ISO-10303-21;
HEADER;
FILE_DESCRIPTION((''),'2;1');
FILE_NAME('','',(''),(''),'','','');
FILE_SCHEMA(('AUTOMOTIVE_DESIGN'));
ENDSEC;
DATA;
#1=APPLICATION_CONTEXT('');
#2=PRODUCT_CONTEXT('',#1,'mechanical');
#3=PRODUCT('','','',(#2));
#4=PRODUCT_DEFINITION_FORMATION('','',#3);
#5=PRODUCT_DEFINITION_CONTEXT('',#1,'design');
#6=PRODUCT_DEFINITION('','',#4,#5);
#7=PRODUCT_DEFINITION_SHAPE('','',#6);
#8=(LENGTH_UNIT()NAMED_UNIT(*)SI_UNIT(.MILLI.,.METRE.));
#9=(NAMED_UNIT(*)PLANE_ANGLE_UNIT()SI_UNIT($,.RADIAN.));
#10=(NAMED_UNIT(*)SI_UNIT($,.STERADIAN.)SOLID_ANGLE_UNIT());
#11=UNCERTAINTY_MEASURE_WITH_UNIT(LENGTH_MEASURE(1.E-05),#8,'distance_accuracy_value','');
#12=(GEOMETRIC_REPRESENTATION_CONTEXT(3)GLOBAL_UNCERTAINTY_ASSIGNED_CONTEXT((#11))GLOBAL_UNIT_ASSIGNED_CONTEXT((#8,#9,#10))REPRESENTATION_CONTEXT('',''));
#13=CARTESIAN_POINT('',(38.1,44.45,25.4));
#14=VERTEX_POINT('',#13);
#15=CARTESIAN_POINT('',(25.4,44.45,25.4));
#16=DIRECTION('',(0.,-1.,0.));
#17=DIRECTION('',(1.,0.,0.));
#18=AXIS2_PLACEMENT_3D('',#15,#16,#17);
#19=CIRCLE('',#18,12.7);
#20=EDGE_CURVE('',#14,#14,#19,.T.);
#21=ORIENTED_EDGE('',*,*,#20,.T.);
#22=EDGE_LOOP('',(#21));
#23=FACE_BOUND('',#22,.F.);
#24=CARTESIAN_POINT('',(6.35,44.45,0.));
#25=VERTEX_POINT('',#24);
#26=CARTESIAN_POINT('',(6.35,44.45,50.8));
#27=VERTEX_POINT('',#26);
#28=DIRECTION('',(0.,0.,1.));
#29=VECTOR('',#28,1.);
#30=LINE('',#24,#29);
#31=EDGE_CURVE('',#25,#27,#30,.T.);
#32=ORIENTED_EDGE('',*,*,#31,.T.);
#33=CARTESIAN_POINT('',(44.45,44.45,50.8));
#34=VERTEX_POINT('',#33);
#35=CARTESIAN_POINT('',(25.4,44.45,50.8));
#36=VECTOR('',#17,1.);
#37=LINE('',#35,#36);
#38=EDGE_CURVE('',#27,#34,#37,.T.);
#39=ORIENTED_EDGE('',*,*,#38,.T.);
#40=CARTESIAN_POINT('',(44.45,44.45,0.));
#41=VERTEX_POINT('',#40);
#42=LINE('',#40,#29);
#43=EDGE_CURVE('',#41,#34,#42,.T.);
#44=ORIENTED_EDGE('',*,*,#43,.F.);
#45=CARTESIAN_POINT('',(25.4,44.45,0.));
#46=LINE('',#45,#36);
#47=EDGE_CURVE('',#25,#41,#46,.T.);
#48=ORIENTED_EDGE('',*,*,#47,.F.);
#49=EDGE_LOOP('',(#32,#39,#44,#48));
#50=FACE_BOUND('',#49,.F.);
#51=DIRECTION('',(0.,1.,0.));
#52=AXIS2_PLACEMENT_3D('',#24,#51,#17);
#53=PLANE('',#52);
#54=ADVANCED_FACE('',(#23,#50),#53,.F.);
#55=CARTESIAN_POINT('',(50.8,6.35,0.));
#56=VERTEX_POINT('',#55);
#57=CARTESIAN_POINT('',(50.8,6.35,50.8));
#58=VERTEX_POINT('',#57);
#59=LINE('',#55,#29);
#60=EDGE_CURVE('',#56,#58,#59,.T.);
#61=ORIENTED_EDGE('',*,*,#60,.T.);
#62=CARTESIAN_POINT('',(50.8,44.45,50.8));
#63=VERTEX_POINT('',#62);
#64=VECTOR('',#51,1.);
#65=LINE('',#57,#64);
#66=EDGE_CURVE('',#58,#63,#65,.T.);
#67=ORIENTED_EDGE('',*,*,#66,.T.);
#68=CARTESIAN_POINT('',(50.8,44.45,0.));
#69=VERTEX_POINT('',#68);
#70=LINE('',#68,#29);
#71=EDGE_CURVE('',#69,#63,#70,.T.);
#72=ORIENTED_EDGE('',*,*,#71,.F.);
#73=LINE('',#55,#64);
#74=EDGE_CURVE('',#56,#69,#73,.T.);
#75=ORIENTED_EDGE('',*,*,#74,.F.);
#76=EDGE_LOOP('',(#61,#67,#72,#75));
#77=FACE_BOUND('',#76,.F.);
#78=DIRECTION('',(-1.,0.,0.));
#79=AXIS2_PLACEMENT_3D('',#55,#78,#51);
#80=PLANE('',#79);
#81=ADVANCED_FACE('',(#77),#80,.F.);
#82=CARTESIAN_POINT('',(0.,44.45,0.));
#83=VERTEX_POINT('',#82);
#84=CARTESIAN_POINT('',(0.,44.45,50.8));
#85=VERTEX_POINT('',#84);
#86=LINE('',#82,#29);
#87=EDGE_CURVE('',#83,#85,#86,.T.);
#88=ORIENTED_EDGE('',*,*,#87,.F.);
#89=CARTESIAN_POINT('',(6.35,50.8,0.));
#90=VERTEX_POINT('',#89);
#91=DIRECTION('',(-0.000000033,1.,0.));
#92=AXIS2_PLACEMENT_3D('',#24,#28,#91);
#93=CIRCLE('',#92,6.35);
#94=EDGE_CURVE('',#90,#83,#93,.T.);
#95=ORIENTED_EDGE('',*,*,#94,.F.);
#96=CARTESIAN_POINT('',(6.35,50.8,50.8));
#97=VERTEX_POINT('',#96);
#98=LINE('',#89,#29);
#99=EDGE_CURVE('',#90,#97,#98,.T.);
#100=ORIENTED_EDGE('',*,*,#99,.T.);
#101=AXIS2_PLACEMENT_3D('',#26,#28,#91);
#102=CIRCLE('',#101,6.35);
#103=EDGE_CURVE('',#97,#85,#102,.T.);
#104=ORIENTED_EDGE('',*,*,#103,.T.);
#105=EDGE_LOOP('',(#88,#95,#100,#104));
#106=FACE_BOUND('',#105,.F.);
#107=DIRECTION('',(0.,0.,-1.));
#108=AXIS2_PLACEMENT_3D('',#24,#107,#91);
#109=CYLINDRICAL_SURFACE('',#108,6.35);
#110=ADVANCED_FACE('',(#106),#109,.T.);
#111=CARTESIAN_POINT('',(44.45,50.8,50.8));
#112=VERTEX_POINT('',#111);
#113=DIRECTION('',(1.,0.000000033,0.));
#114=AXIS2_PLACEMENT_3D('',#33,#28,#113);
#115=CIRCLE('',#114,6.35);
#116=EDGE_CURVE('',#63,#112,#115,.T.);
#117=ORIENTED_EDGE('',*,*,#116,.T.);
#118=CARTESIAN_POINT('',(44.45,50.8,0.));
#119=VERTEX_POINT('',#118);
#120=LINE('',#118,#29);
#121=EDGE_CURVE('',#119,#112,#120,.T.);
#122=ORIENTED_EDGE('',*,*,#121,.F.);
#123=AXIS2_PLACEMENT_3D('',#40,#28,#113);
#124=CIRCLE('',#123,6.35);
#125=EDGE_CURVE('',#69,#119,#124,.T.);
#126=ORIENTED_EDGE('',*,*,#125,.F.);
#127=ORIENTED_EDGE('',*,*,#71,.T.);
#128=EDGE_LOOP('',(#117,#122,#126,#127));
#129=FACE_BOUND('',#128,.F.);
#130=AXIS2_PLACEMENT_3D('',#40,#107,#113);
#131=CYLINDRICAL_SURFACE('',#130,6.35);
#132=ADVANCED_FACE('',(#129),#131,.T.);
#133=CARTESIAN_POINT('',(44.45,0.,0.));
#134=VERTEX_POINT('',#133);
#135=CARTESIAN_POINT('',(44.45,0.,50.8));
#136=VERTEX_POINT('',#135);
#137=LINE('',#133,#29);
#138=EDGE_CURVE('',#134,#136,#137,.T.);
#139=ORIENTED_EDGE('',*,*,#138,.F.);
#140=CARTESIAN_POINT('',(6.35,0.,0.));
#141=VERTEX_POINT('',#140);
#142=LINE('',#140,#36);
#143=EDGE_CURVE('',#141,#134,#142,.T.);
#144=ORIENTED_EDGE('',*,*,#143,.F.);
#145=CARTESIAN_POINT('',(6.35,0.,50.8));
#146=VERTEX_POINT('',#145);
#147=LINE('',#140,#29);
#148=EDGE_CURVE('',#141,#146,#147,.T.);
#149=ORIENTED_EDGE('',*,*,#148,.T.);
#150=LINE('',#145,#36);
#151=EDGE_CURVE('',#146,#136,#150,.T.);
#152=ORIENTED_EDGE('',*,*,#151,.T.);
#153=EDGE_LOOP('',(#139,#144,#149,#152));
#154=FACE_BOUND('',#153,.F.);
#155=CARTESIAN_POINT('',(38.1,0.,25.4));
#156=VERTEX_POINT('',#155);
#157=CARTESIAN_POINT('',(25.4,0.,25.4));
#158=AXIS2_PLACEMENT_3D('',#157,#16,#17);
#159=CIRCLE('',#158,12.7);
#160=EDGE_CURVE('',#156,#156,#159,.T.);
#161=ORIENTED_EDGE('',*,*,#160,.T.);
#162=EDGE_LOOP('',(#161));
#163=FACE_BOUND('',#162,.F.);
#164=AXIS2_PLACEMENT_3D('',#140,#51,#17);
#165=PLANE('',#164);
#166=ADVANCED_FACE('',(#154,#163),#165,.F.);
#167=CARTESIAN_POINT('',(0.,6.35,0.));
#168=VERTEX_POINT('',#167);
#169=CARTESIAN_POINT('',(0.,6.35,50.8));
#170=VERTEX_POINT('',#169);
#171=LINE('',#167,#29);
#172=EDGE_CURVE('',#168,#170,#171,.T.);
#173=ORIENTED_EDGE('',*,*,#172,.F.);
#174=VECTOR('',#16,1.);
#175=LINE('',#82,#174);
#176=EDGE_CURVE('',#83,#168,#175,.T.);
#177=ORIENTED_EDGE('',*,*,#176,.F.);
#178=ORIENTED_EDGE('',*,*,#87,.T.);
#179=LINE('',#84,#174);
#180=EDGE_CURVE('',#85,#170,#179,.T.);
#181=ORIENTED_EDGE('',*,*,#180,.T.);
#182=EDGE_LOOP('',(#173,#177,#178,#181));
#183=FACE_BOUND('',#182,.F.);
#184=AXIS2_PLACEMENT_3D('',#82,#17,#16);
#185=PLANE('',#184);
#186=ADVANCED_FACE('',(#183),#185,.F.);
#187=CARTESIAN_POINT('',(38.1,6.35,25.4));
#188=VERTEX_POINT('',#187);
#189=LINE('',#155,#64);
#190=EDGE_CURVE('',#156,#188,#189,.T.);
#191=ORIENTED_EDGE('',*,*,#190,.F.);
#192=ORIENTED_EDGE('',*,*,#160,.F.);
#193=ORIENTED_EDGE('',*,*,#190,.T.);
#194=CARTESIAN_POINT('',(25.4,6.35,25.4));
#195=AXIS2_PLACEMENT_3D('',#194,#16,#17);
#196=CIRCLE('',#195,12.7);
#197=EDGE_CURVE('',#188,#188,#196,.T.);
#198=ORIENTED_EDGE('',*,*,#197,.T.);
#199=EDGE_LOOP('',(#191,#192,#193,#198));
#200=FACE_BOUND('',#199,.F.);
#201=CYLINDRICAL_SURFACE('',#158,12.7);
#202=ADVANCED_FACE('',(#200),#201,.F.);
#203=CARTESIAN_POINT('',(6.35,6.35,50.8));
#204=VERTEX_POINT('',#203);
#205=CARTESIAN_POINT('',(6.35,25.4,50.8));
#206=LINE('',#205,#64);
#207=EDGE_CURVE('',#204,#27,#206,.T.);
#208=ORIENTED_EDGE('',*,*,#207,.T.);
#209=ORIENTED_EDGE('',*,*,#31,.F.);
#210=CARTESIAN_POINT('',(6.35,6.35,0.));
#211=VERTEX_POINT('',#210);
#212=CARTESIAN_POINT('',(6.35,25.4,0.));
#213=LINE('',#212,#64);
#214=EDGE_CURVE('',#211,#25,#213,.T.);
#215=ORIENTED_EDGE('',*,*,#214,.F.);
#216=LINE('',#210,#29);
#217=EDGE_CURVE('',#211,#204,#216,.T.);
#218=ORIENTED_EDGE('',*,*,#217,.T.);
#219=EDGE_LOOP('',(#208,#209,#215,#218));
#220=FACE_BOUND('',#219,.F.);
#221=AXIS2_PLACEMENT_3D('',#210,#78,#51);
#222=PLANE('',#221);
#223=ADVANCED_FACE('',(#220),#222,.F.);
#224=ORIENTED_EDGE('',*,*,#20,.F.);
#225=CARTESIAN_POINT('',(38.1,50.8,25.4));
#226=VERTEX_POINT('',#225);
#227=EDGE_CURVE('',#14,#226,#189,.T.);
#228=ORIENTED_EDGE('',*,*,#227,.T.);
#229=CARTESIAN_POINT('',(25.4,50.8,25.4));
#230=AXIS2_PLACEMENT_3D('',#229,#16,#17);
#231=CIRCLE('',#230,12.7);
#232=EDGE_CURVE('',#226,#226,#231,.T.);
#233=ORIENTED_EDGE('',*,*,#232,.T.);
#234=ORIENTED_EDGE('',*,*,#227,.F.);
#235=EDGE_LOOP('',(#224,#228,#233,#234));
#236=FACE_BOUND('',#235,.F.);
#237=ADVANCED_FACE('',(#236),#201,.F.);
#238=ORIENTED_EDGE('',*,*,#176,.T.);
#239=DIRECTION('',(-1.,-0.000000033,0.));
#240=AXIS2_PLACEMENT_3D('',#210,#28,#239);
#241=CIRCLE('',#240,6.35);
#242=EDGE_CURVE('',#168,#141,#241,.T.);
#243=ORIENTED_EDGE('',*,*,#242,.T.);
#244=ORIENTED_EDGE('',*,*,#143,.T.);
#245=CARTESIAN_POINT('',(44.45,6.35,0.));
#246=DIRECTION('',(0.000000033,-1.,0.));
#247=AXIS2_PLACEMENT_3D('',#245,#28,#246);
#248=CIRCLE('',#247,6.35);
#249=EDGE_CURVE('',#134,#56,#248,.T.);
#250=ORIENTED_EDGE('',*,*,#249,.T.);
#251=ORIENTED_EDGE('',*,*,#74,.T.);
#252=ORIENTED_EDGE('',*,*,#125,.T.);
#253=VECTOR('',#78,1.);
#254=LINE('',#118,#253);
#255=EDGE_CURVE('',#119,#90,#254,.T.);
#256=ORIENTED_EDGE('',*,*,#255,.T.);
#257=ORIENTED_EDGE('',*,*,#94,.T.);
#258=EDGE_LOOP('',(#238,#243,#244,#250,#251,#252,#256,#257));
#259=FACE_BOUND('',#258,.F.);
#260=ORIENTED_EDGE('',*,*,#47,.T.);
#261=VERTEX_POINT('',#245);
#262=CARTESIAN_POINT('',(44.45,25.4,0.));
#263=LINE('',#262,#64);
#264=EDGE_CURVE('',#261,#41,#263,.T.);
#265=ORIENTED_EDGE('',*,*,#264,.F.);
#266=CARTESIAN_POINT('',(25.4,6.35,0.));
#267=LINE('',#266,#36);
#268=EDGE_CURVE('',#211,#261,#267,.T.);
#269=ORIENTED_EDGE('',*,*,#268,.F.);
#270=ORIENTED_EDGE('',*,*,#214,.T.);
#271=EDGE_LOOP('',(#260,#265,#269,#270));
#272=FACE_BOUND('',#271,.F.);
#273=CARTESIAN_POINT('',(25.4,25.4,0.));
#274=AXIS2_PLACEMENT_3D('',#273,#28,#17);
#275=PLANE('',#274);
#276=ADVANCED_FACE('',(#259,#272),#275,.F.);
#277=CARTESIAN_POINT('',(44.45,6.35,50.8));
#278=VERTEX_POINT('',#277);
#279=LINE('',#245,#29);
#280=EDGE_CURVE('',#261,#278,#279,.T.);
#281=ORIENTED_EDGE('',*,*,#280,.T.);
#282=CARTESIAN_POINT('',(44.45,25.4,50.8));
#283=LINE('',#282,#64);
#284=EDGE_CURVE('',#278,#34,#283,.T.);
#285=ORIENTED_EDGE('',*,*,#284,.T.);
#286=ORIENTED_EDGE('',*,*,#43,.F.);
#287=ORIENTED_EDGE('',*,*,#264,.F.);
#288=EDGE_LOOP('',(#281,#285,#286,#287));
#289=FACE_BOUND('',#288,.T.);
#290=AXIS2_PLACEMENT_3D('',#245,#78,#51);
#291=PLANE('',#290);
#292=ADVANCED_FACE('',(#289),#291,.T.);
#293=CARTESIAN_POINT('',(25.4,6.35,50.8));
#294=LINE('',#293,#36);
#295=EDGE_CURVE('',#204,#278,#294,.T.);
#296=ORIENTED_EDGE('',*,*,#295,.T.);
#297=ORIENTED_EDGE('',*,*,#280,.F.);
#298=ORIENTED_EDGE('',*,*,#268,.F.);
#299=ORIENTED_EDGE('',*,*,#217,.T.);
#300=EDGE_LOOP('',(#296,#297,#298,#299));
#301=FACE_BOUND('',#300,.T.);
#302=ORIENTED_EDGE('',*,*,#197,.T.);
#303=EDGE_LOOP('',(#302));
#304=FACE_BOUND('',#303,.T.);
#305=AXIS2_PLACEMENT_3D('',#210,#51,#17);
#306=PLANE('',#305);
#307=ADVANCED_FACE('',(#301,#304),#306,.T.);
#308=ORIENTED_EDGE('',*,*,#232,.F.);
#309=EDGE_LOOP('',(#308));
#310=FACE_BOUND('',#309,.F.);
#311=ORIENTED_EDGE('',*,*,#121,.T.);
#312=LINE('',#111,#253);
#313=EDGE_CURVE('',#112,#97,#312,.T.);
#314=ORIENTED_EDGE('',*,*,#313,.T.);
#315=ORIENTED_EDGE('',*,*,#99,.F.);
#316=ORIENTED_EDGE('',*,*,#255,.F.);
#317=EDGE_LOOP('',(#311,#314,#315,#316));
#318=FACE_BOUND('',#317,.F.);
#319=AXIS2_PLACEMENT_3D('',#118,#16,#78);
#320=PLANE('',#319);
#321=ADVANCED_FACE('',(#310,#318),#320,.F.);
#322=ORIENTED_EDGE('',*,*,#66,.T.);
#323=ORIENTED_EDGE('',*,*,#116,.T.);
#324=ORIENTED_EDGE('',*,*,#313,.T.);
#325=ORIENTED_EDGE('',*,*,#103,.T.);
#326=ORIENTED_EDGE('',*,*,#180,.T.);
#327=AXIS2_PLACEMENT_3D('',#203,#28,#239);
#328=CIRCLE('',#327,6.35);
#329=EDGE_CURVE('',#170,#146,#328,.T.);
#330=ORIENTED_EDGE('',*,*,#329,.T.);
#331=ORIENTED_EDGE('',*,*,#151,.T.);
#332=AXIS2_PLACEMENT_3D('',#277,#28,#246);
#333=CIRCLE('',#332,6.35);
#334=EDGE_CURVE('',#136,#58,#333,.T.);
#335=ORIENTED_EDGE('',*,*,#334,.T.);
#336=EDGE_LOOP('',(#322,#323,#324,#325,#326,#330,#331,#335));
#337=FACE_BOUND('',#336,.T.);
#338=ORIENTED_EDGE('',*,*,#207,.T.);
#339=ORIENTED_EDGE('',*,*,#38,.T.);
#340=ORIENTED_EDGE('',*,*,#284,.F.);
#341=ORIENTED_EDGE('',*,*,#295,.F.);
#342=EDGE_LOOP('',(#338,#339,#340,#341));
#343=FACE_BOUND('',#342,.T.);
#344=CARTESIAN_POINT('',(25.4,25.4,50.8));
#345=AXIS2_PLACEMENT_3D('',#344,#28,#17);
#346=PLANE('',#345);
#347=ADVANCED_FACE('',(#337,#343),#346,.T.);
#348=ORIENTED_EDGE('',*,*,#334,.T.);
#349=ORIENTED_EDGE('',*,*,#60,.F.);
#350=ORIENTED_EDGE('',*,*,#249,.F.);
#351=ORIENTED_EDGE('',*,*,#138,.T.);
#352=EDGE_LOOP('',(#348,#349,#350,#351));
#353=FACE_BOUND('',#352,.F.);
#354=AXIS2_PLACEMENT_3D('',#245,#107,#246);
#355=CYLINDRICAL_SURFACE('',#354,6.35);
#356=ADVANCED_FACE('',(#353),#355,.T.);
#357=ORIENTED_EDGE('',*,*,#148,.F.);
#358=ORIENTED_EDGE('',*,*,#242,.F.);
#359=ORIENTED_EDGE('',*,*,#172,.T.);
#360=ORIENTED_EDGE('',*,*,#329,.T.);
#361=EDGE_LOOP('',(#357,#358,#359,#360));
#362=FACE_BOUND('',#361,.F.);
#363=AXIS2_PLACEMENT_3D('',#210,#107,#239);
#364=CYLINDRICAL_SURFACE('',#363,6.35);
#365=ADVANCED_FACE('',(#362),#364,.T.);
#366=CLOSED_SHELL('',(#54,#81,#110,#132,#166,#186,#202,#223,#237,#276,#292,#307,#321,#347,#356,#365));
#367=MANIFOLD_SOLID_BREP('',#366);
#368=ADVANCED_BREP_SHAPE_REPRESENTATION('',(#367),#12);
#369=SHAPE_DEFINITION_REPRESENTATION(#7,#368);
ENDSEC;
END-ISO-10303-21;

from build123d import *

# Parameters (mm, degrees)
F0_W     = 38.1
F0_H     = 38.1
F1_DEPTH = 50.8
F2_R     = 12.7
F3_DEPTH = 50.801


with BuildPart() as f1:
    # F0 (on Top) → F1 (new body)
    with BuildSketch(Plane.XY):
        with BuildLine():
            ThreePointArc((0, 6.35), (1.859872, 1.859872), (6.35, 0))
            Line((6.35, 0), (44.45, 0))
            ThreePointArc((44.45, 0), (48.940128, 1.859872), (50.8, 6.35))
            Line((50.8, 6.35), (50.8, 44.45))
            ThreePointArc((50.8, 44.45), (48.940128, 48.940128), (44.45, 50.8))
            Line((44.45, 50.8), (6.35, 50.8))
            ThreePointArc((6.35, 50.8), (1.859872, 48.940128), (0, 44.45))
            Line((0, 44.45), (0, 6.35))
        make_face()
        with Locations((25.4, 25.4)):
            Rectangle(F0_W, F0_H, mode=Mode.SUBTRACT)
    extrude(amount=F1_DEPTH)

    # F2 (on face) → F3 (cut, through all)
    with BuildSketch(Plane.XZ):
        with Locations((25.4, 25.4)):
            Circle(F2_R)
    extrude(amount=-F3_DEPTH, mode=Mode.SUBTRACT)


solid = f1.part
